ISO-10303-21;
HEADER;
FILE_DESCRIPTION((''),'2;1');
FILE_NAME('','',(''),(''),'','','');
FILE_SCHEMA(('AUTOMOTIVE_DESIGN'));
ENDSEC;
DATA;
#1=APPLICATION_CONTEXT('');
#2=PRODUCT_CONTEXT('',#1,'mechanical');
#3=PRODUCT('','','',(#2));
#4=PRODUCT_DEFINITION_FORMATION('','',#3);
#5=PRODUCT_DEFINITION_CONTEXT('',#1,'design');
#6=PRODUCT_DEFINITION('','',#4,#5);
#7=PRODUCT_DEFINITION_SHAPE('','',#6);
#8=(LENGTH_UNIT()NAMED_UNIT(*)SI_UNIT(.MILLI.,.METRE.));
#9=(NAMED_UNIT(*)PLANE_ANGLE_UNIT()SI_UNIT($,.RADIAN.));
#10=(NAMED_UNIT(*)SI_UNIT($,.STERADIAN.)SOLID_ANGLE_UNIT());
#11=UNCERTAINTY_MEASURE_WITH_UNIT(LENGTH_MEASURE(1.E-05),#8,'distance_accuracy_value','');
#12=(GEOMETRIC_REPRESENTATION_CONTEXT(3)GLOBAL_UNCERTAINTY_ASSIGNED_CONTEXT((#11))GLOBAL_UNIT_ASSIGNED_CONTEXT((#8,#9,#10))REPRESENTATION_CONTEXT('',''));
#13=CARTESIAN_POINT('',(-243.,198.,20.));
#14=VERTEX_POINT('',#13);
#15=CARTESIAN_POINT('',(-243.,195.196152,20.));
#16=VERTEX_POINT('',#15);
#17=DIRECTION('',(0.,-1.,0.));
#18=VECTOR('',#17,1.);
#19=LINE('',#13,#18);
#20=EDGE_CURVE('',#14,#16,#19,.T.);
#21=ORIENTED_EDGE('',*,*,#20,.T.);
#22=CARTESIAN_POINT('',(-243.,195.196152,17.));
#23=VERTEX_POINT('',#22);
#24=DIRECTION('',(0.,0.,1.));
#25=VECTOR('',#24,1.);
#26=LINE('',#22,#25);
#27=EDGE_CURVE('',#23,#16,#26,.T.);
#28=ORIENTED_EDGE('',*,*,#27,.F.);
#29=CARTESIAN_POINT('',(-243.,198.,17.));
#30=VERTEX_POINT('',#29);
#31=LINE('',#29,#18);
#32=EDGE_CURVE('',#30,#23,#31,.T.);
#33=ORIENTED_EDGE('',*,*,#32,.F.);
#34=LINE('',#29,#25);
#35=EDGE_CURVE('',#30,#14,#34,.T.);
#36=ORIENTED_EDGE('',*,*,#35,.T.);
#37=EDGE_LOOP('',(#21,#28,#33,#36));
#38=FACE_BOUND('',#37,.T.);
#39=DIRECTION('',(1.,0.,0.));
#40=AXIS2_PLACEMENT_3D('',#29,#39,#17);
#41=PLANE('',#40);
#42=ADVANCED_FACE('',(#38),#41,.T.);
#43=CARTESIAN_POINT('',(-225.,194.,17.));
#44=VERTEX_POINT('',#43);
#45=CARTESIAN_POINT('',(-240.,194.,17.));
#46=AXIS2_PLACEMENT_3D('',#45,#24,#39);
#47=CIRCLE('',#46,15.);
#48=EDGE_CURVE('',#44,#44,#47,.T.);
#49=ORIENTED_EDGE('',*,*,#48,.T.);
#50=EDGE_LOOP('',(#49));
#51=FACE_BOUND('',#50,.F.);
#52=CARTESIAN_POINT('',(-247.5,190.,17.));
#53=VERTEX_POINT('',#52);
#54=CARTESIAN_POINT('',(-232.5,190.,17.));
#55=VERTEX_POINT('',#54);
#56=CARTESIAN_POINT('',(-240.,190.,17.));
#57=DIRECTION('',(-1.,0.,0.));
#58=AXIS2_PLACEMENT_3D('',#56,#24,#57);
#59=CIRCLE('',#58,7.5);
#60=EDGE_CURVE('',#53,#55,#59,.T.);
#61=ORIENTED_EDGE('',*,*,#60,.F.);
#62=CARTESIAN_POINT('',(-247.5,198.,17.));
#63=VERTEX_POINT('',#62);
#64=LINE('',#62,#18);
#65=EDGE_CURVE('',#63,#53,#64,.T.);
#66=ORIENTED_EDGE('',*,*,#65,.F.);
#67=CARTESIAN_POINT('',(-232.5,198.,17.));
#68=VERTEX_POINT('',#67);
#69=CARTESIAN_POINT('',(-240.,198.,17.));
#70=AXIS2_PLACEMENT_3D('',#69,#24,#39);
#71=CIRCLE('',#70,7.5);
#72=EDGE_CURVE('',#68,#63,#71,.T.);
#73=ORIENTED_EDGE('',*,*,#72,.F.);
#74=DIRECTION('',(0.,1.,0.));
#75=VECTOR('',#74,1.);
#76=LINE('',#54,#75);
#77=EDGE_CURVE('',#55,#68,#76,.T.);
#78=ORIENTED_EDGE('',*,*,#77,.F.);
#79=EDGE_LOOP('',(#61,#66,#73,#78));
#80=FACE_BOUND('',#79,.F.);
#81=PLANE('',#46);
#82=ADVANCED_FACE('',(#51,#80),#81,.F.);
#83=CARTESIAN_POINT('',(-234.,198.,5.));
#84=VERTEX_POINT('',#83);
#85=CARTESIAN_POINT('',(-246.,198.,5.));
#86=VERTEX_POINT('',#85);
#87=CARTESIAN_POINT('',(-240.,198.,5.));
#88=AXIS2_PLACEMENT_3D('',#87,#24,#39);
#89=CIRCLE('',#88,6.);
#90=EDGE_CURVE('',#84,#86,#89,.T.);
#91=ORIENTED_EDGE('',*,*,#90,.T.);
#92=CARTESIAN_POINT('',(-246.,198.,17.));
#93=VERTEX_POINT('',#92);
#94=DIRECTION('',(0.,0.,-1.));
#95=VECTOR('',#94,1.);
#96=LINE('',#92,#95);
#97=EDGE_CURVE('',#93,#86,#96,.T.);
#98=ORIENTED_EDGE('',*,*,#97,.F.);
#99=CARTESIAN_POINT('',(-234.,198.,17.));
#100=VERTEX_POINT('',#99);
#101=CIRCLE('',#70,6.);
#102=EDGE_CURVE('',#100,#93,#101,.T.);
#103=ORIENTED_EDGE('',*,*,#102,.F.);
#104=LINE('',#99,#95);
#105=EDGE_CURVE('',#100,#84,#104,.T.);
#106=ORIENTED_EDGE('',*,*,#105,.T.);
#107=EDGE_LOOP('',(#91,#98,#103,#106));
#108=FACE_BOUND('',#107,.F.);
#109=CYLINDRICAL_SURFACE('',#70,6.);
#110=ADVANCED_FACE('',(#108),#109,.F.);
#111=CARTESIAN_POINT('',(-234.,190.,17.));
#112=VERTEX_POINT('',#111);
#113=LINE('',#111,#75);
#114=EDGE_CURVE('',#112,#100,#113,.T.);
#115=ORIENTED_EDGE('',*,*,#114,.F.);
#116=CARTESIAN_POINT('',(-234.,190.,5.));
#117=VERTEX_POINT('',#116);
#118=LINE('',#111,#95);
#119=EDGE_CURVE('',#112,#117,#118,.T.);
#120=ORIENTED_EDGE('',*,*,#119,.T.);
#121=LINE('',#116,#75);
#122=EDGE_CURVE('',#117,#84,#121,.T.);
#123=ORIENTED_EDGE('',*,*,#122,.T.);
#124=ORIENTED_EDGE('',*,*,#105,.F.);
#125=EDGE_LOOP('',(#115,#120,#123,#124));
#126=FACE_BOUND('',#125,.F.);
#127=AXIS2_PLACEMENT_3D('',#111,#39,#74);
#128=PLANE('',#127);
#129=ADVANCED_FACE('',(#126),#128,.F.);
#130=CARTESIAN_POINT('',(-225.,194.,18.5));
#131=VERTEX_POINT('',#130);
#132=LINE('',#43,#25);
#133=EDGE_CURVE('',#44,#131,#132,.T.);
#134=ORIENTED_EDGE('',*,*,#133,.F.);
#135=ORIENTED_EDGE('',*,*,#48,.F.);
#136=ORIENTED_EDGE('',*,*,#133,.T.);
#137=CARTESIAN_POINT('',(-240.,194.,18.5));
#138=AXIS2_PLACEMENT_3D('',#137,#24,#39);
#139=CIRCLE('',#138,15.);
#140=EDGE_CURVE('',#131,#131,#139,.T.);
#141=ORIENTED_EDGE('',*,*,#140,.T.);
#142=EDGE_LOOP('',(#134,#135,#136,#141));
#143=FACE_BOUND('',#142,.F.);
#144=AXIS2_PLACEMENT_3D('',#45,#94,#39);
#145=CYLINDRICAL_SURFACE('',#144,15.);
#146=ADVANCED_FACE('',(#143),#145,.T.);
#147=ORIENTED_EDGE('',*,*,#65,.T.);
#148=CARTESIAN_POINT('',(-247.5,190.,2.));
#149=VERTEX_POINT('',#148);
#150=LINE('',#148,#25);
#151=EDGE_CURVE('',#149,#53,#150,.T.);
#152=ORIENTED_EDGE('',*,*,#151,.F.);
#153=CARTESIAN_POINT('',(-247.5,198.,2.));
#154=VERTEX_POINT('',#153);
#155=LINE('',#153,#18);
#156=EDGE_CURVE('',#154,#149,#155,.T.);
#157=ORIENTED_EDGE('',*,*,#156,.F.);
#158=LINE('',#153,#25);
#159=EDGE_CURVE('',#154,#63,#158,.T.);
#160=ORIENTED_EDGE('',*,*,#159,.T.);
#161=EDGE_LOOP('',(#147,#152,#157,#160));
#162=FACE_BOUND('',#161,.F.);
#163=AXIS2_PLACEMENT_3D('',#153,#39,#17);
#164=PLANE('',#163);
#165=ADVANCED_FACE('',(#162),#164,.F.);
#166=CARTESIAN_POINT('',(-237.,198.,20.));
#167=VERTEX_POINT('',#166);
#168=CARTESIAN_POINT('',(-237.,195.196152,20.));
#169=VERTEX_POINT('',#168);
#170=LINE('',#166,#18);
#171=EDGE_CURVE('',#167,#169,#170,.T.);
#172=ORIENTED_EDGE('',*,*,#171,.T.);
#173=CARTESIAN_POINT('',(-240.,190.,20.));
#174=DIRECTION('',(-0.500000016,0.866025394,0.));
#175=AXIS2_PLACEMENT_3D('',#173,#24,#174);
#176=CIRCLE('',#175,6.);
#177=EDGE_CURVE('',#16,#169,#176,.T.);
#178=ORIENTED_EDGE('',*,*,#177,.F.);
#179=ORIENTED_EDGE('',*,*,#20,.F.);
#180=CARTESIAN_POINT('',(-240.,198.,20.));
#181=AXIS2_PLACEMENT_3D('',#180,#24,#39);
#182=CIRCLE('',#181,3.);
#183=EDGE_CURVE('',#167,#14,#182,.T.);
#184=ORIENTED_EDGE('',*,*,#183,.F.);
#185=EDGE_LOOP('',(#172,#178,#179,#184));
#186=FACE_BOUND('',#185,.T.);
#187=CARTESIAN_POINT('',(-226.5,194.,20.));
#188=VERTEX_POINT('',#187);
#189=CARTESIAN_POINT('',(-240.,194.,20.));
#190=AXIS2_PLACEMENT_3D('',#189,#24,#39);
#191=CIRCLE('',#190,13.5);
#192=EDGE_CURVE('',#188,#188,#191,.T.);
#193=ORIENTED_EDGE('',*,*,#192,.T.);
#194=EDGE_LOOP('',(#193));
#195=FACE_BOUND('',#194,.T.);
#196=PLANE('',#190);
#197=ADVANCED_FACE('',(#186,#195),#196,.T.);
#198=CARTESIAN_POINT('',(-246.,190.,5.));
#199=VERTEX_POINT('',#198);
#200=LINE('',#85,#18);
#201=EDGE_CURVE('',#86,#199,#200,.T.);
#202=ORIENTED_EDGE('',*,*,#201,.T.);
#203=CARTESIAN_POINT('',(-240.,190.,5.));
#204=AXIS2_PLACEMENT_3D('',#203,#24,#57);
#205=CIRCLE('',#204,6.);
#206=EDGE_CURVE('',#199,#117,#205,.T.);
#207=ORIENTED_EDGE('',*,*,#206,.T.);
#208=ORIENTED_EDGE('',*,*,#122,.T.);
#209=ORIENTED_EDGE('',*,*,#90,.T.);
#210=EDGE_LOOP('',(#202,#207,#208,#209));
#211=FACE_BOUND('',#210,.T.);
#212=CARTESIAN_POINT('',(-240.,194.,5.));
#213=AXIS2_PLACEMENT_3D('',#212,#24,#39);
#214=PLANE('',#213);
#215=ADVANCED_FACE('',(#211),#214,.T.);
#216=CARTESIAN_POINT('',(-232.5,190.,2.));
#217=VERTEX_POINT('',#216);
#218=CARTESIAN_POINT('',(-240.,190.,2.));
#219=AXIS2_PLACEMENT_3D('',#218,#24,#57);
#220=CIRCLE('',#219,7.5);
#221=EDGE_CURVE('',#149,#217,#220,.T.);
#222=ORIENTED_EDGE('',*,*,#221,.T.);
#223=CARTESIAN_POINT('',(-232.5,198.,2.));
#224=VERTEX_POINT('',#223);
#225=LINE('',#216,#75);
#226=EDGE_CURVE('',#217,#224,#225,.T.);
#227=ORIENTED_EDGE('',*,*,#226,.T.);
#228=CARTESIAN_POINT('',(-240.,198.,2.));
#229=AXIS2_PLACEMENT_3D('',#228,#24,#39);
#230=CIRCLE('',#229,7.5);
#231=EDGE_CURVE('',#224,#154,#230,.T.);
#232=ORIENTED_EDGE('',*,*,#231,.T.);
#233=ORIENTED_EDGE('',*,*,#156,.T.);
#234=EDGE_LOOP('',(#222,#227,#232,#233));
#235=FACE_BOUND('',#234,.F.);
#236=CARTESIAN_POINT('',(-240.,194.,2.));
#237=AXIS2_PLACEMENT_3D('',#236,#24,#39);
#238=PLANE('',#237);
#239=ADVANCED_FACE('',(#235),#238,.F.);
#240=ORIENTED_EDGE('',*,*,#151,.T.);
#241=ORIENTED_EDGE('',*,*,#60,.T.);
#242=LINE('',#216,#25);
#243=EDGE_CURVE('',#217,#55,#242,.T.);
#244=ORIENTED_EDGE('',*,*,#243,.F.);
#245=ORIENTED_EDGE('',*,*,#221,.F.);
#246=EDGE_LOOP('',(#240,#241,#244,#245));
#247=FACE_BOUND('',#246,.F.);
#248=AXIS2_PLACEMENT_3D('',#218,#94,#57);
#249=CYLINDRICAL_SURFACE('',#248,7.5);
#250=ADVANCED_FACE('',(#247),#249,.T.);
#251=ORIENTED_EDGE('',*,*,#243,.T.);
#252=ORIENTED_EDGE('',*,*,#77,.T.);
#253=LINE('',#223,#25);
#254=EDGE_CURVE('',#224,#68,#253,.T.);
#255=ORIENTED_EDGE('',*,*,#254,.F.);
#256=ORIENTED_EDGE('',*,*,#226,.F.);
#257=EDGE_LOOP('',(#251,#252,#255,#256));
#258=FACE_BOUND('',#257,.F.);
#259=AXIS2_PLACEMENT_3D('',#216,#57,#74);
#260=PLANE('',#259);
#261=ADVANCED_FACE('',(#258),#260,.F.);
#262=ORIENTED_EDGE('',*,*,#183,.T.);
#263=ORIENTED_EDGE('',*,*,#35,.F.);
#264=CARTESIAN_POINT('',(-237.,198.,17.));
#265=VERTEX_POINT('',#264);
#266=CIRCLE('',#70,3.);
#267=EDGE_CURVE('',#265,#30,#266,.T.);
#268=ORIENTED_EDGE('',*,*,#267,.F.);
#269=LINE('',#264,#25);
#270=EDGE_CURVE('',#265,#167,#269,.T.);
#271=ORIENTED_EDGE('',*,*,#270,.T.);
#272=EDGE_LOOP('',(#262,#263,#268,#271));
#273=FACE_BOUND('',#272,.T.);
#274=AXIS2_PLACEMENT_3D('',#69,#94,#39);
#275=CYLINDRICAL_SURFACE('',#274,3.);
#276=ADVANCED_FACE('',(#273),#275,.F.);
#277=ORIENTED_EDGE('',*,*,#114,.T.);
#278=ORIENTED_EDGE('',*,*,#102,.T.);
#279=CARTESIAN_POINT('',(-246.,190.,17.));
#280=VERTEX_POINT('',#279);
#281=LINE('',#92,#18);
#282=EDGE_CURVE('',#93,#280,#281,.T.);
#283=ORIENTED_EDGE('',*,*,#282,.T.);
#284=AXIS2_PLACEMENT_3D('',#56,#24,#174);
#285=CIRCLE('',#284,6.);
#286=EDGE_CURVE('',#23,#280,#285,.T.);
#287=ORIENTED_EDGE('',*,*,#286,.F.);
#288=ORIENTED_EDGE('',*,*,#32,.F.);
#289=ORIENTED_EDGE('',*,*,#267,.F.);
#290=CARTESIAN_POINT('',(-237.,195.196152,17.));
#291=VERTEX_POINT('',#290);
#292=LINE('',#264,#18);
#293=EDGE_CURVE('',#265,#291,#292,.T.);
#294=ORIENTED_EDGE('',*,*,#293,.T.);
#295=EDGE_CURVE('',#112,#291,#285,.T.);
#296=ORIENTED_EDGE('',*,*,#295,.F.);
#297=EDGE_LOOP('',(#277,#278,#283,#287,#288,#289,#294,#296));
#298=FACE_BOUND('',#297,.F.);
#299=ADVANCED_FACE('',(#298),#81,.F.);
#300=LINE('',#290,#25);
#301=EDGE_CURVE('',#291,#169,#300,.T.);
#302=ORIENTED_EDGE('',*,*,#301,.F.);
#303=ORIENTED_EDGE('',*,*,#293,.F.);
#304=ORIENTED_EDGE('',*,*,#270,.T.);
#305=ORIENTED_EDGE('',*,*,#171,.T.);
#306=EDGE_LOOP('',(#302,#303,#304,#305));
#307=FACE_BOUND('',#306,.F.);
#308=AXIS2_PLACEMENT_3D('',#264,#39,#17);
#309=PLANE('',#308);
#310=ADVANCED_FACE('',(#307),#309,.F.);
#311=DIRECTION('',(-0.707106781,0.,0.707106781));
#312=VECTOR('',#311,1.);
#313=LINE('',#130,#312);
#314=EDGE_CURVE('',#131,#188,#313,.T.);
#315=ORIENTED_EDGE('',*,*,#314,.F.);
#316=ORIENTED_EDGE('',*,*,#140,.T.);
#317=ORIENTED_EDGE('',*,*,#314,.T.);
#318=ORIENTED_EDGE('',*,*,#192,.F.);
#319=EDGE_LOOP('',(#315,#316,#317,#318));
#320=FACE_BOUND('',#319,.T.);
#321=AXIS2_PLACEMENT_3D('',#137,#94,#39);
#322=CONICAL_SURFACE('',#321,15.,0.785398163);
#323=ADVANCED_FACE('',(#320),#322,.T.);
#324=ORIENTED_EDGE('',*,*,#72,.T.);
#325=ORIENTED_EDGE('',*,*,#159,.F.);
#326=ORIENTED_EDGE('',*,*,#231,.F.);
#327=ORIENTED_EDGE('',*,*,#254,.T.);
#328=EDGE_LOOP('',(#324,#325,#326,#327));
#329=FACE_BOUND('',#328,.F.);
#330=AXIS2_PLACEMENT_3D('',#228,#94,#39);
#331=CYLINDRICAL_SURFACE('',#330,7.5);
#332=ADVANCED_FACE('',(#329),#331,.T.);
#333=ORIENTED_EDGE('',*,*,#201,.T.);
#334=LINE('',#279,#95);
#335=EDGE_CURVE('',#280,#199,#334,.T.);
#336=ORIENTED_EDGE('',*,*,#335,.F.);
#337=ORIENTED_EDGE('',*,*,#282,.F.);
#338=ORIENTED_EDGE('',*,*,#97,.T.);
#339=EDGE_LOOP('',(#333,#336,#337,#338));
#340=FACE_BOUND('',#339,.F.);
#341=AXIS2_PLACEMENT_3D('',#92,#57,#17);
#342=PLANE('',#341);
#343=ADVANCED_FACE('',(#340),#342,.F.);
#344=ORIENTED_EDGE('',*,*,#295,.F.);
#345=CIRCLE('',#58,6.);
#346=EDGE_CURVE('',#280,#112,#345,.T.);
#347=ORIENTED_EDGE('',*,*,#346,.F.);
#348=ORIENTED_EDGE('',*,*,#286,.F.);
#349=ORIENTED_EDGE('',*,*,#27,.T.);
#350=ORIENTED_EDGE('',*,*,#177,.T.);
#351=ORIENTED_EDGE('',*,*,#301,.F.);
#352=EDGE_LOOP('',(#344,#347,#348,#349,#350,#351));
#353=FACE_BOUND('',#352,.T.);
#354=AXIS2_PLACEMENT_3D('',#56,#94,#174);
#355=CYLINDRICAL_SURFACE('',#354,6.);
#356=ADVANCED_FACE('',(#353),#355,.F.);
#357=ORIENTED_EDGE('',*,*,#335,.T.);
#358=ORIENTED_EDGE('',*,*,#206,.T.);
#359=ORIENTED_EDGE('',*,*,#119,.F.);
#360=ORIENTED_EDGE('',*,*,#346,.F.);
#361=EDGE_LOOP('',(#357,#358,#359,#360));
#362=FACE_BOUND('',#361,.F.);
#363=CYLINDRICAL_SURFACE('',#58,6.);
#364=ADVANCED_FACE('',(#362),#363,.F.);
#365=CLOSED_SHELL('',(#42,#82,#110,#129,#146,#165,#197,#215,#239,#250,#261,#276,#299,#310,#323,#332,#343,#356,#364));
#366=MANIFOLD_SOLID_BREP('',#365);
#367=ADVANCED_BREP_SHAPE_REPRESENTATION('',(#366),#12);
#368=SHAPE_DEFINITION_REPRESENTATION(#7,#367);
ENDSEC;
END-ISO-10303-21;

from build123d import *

# Parameters (mm, degrees)
PAD011_DEPTH    = 15
POCKET021_DEPTH = 12
SKETCH036_R     = 15
PAD012_DEPTH    = 3
CHAMFER001_SIZE = 1.5


with BuildPart() as part:
    # Sketch034 → Pad011 (new body)
    with BuildSketch(Plane.XY):
        with BuildLine():
            ThreePointArc((7.5, 8), (0, 15.5), (-7.5, 8))
            Line((-7.5, 8), (-7.5, 0))
            ThreePointArc((-7.5, 0), (0, -7.5), (7.5, 0))
            Line((7.5, 0), (7.5, 8))
        make_face()
    extrude(amount=PAD011_DEPTH)

    # Sketch035 (on Face6 of Pad011) → Pocket021 (cut)
    with BuildSketch(Plane.XY.offset(15)):
        with BuildLine():
            ThreePointArc((-6, 0), (0, -6), (6, 0))
            Line((6, 0), (6, 8))
            ThreePointArc((6, 8), (0, 14), (-6, 8))
            Line((-6, 8), (-6, 0))
        make_face()
    extrude(amount=-POCKET021_DEPTH, mode=Mode.SUBTRACT)

    # Sketch036 (on Face5 of Pocket021) → Pad012 (join)
    with BuildSketch(Plane.XY.offset(15)):
        with Locations((0, 4)):
            Circle(SKETCH036_R)
        with BuildLine():
            ThreePointArc((-3, 5.196152), (0, -6), (3, 5.196152))
            Line((3, 8), (3, 5.196152))
            ThreePointArc((3, 8), (0, 11), (-3, 8))
            Line((-3, 8), (-3, 5.196152))
        make_face(mode=Mode.SUBTRACT)
    extrude(amount=PAD012_DEPTH)

    # Chamfer001
    chamfer001_edges = [part.edges().sort_by_distance(p)[0] for p in [
        (-15, 4, 18),
    ]]
    chamfer(chamfer001_edges, length=CHAMFER001_SIZE)


with BuildPart() as part_1:
    # Body004 placement: moved
    add(part.part.moved(Location((-240, 190, 2))))


solid = part_1.part
